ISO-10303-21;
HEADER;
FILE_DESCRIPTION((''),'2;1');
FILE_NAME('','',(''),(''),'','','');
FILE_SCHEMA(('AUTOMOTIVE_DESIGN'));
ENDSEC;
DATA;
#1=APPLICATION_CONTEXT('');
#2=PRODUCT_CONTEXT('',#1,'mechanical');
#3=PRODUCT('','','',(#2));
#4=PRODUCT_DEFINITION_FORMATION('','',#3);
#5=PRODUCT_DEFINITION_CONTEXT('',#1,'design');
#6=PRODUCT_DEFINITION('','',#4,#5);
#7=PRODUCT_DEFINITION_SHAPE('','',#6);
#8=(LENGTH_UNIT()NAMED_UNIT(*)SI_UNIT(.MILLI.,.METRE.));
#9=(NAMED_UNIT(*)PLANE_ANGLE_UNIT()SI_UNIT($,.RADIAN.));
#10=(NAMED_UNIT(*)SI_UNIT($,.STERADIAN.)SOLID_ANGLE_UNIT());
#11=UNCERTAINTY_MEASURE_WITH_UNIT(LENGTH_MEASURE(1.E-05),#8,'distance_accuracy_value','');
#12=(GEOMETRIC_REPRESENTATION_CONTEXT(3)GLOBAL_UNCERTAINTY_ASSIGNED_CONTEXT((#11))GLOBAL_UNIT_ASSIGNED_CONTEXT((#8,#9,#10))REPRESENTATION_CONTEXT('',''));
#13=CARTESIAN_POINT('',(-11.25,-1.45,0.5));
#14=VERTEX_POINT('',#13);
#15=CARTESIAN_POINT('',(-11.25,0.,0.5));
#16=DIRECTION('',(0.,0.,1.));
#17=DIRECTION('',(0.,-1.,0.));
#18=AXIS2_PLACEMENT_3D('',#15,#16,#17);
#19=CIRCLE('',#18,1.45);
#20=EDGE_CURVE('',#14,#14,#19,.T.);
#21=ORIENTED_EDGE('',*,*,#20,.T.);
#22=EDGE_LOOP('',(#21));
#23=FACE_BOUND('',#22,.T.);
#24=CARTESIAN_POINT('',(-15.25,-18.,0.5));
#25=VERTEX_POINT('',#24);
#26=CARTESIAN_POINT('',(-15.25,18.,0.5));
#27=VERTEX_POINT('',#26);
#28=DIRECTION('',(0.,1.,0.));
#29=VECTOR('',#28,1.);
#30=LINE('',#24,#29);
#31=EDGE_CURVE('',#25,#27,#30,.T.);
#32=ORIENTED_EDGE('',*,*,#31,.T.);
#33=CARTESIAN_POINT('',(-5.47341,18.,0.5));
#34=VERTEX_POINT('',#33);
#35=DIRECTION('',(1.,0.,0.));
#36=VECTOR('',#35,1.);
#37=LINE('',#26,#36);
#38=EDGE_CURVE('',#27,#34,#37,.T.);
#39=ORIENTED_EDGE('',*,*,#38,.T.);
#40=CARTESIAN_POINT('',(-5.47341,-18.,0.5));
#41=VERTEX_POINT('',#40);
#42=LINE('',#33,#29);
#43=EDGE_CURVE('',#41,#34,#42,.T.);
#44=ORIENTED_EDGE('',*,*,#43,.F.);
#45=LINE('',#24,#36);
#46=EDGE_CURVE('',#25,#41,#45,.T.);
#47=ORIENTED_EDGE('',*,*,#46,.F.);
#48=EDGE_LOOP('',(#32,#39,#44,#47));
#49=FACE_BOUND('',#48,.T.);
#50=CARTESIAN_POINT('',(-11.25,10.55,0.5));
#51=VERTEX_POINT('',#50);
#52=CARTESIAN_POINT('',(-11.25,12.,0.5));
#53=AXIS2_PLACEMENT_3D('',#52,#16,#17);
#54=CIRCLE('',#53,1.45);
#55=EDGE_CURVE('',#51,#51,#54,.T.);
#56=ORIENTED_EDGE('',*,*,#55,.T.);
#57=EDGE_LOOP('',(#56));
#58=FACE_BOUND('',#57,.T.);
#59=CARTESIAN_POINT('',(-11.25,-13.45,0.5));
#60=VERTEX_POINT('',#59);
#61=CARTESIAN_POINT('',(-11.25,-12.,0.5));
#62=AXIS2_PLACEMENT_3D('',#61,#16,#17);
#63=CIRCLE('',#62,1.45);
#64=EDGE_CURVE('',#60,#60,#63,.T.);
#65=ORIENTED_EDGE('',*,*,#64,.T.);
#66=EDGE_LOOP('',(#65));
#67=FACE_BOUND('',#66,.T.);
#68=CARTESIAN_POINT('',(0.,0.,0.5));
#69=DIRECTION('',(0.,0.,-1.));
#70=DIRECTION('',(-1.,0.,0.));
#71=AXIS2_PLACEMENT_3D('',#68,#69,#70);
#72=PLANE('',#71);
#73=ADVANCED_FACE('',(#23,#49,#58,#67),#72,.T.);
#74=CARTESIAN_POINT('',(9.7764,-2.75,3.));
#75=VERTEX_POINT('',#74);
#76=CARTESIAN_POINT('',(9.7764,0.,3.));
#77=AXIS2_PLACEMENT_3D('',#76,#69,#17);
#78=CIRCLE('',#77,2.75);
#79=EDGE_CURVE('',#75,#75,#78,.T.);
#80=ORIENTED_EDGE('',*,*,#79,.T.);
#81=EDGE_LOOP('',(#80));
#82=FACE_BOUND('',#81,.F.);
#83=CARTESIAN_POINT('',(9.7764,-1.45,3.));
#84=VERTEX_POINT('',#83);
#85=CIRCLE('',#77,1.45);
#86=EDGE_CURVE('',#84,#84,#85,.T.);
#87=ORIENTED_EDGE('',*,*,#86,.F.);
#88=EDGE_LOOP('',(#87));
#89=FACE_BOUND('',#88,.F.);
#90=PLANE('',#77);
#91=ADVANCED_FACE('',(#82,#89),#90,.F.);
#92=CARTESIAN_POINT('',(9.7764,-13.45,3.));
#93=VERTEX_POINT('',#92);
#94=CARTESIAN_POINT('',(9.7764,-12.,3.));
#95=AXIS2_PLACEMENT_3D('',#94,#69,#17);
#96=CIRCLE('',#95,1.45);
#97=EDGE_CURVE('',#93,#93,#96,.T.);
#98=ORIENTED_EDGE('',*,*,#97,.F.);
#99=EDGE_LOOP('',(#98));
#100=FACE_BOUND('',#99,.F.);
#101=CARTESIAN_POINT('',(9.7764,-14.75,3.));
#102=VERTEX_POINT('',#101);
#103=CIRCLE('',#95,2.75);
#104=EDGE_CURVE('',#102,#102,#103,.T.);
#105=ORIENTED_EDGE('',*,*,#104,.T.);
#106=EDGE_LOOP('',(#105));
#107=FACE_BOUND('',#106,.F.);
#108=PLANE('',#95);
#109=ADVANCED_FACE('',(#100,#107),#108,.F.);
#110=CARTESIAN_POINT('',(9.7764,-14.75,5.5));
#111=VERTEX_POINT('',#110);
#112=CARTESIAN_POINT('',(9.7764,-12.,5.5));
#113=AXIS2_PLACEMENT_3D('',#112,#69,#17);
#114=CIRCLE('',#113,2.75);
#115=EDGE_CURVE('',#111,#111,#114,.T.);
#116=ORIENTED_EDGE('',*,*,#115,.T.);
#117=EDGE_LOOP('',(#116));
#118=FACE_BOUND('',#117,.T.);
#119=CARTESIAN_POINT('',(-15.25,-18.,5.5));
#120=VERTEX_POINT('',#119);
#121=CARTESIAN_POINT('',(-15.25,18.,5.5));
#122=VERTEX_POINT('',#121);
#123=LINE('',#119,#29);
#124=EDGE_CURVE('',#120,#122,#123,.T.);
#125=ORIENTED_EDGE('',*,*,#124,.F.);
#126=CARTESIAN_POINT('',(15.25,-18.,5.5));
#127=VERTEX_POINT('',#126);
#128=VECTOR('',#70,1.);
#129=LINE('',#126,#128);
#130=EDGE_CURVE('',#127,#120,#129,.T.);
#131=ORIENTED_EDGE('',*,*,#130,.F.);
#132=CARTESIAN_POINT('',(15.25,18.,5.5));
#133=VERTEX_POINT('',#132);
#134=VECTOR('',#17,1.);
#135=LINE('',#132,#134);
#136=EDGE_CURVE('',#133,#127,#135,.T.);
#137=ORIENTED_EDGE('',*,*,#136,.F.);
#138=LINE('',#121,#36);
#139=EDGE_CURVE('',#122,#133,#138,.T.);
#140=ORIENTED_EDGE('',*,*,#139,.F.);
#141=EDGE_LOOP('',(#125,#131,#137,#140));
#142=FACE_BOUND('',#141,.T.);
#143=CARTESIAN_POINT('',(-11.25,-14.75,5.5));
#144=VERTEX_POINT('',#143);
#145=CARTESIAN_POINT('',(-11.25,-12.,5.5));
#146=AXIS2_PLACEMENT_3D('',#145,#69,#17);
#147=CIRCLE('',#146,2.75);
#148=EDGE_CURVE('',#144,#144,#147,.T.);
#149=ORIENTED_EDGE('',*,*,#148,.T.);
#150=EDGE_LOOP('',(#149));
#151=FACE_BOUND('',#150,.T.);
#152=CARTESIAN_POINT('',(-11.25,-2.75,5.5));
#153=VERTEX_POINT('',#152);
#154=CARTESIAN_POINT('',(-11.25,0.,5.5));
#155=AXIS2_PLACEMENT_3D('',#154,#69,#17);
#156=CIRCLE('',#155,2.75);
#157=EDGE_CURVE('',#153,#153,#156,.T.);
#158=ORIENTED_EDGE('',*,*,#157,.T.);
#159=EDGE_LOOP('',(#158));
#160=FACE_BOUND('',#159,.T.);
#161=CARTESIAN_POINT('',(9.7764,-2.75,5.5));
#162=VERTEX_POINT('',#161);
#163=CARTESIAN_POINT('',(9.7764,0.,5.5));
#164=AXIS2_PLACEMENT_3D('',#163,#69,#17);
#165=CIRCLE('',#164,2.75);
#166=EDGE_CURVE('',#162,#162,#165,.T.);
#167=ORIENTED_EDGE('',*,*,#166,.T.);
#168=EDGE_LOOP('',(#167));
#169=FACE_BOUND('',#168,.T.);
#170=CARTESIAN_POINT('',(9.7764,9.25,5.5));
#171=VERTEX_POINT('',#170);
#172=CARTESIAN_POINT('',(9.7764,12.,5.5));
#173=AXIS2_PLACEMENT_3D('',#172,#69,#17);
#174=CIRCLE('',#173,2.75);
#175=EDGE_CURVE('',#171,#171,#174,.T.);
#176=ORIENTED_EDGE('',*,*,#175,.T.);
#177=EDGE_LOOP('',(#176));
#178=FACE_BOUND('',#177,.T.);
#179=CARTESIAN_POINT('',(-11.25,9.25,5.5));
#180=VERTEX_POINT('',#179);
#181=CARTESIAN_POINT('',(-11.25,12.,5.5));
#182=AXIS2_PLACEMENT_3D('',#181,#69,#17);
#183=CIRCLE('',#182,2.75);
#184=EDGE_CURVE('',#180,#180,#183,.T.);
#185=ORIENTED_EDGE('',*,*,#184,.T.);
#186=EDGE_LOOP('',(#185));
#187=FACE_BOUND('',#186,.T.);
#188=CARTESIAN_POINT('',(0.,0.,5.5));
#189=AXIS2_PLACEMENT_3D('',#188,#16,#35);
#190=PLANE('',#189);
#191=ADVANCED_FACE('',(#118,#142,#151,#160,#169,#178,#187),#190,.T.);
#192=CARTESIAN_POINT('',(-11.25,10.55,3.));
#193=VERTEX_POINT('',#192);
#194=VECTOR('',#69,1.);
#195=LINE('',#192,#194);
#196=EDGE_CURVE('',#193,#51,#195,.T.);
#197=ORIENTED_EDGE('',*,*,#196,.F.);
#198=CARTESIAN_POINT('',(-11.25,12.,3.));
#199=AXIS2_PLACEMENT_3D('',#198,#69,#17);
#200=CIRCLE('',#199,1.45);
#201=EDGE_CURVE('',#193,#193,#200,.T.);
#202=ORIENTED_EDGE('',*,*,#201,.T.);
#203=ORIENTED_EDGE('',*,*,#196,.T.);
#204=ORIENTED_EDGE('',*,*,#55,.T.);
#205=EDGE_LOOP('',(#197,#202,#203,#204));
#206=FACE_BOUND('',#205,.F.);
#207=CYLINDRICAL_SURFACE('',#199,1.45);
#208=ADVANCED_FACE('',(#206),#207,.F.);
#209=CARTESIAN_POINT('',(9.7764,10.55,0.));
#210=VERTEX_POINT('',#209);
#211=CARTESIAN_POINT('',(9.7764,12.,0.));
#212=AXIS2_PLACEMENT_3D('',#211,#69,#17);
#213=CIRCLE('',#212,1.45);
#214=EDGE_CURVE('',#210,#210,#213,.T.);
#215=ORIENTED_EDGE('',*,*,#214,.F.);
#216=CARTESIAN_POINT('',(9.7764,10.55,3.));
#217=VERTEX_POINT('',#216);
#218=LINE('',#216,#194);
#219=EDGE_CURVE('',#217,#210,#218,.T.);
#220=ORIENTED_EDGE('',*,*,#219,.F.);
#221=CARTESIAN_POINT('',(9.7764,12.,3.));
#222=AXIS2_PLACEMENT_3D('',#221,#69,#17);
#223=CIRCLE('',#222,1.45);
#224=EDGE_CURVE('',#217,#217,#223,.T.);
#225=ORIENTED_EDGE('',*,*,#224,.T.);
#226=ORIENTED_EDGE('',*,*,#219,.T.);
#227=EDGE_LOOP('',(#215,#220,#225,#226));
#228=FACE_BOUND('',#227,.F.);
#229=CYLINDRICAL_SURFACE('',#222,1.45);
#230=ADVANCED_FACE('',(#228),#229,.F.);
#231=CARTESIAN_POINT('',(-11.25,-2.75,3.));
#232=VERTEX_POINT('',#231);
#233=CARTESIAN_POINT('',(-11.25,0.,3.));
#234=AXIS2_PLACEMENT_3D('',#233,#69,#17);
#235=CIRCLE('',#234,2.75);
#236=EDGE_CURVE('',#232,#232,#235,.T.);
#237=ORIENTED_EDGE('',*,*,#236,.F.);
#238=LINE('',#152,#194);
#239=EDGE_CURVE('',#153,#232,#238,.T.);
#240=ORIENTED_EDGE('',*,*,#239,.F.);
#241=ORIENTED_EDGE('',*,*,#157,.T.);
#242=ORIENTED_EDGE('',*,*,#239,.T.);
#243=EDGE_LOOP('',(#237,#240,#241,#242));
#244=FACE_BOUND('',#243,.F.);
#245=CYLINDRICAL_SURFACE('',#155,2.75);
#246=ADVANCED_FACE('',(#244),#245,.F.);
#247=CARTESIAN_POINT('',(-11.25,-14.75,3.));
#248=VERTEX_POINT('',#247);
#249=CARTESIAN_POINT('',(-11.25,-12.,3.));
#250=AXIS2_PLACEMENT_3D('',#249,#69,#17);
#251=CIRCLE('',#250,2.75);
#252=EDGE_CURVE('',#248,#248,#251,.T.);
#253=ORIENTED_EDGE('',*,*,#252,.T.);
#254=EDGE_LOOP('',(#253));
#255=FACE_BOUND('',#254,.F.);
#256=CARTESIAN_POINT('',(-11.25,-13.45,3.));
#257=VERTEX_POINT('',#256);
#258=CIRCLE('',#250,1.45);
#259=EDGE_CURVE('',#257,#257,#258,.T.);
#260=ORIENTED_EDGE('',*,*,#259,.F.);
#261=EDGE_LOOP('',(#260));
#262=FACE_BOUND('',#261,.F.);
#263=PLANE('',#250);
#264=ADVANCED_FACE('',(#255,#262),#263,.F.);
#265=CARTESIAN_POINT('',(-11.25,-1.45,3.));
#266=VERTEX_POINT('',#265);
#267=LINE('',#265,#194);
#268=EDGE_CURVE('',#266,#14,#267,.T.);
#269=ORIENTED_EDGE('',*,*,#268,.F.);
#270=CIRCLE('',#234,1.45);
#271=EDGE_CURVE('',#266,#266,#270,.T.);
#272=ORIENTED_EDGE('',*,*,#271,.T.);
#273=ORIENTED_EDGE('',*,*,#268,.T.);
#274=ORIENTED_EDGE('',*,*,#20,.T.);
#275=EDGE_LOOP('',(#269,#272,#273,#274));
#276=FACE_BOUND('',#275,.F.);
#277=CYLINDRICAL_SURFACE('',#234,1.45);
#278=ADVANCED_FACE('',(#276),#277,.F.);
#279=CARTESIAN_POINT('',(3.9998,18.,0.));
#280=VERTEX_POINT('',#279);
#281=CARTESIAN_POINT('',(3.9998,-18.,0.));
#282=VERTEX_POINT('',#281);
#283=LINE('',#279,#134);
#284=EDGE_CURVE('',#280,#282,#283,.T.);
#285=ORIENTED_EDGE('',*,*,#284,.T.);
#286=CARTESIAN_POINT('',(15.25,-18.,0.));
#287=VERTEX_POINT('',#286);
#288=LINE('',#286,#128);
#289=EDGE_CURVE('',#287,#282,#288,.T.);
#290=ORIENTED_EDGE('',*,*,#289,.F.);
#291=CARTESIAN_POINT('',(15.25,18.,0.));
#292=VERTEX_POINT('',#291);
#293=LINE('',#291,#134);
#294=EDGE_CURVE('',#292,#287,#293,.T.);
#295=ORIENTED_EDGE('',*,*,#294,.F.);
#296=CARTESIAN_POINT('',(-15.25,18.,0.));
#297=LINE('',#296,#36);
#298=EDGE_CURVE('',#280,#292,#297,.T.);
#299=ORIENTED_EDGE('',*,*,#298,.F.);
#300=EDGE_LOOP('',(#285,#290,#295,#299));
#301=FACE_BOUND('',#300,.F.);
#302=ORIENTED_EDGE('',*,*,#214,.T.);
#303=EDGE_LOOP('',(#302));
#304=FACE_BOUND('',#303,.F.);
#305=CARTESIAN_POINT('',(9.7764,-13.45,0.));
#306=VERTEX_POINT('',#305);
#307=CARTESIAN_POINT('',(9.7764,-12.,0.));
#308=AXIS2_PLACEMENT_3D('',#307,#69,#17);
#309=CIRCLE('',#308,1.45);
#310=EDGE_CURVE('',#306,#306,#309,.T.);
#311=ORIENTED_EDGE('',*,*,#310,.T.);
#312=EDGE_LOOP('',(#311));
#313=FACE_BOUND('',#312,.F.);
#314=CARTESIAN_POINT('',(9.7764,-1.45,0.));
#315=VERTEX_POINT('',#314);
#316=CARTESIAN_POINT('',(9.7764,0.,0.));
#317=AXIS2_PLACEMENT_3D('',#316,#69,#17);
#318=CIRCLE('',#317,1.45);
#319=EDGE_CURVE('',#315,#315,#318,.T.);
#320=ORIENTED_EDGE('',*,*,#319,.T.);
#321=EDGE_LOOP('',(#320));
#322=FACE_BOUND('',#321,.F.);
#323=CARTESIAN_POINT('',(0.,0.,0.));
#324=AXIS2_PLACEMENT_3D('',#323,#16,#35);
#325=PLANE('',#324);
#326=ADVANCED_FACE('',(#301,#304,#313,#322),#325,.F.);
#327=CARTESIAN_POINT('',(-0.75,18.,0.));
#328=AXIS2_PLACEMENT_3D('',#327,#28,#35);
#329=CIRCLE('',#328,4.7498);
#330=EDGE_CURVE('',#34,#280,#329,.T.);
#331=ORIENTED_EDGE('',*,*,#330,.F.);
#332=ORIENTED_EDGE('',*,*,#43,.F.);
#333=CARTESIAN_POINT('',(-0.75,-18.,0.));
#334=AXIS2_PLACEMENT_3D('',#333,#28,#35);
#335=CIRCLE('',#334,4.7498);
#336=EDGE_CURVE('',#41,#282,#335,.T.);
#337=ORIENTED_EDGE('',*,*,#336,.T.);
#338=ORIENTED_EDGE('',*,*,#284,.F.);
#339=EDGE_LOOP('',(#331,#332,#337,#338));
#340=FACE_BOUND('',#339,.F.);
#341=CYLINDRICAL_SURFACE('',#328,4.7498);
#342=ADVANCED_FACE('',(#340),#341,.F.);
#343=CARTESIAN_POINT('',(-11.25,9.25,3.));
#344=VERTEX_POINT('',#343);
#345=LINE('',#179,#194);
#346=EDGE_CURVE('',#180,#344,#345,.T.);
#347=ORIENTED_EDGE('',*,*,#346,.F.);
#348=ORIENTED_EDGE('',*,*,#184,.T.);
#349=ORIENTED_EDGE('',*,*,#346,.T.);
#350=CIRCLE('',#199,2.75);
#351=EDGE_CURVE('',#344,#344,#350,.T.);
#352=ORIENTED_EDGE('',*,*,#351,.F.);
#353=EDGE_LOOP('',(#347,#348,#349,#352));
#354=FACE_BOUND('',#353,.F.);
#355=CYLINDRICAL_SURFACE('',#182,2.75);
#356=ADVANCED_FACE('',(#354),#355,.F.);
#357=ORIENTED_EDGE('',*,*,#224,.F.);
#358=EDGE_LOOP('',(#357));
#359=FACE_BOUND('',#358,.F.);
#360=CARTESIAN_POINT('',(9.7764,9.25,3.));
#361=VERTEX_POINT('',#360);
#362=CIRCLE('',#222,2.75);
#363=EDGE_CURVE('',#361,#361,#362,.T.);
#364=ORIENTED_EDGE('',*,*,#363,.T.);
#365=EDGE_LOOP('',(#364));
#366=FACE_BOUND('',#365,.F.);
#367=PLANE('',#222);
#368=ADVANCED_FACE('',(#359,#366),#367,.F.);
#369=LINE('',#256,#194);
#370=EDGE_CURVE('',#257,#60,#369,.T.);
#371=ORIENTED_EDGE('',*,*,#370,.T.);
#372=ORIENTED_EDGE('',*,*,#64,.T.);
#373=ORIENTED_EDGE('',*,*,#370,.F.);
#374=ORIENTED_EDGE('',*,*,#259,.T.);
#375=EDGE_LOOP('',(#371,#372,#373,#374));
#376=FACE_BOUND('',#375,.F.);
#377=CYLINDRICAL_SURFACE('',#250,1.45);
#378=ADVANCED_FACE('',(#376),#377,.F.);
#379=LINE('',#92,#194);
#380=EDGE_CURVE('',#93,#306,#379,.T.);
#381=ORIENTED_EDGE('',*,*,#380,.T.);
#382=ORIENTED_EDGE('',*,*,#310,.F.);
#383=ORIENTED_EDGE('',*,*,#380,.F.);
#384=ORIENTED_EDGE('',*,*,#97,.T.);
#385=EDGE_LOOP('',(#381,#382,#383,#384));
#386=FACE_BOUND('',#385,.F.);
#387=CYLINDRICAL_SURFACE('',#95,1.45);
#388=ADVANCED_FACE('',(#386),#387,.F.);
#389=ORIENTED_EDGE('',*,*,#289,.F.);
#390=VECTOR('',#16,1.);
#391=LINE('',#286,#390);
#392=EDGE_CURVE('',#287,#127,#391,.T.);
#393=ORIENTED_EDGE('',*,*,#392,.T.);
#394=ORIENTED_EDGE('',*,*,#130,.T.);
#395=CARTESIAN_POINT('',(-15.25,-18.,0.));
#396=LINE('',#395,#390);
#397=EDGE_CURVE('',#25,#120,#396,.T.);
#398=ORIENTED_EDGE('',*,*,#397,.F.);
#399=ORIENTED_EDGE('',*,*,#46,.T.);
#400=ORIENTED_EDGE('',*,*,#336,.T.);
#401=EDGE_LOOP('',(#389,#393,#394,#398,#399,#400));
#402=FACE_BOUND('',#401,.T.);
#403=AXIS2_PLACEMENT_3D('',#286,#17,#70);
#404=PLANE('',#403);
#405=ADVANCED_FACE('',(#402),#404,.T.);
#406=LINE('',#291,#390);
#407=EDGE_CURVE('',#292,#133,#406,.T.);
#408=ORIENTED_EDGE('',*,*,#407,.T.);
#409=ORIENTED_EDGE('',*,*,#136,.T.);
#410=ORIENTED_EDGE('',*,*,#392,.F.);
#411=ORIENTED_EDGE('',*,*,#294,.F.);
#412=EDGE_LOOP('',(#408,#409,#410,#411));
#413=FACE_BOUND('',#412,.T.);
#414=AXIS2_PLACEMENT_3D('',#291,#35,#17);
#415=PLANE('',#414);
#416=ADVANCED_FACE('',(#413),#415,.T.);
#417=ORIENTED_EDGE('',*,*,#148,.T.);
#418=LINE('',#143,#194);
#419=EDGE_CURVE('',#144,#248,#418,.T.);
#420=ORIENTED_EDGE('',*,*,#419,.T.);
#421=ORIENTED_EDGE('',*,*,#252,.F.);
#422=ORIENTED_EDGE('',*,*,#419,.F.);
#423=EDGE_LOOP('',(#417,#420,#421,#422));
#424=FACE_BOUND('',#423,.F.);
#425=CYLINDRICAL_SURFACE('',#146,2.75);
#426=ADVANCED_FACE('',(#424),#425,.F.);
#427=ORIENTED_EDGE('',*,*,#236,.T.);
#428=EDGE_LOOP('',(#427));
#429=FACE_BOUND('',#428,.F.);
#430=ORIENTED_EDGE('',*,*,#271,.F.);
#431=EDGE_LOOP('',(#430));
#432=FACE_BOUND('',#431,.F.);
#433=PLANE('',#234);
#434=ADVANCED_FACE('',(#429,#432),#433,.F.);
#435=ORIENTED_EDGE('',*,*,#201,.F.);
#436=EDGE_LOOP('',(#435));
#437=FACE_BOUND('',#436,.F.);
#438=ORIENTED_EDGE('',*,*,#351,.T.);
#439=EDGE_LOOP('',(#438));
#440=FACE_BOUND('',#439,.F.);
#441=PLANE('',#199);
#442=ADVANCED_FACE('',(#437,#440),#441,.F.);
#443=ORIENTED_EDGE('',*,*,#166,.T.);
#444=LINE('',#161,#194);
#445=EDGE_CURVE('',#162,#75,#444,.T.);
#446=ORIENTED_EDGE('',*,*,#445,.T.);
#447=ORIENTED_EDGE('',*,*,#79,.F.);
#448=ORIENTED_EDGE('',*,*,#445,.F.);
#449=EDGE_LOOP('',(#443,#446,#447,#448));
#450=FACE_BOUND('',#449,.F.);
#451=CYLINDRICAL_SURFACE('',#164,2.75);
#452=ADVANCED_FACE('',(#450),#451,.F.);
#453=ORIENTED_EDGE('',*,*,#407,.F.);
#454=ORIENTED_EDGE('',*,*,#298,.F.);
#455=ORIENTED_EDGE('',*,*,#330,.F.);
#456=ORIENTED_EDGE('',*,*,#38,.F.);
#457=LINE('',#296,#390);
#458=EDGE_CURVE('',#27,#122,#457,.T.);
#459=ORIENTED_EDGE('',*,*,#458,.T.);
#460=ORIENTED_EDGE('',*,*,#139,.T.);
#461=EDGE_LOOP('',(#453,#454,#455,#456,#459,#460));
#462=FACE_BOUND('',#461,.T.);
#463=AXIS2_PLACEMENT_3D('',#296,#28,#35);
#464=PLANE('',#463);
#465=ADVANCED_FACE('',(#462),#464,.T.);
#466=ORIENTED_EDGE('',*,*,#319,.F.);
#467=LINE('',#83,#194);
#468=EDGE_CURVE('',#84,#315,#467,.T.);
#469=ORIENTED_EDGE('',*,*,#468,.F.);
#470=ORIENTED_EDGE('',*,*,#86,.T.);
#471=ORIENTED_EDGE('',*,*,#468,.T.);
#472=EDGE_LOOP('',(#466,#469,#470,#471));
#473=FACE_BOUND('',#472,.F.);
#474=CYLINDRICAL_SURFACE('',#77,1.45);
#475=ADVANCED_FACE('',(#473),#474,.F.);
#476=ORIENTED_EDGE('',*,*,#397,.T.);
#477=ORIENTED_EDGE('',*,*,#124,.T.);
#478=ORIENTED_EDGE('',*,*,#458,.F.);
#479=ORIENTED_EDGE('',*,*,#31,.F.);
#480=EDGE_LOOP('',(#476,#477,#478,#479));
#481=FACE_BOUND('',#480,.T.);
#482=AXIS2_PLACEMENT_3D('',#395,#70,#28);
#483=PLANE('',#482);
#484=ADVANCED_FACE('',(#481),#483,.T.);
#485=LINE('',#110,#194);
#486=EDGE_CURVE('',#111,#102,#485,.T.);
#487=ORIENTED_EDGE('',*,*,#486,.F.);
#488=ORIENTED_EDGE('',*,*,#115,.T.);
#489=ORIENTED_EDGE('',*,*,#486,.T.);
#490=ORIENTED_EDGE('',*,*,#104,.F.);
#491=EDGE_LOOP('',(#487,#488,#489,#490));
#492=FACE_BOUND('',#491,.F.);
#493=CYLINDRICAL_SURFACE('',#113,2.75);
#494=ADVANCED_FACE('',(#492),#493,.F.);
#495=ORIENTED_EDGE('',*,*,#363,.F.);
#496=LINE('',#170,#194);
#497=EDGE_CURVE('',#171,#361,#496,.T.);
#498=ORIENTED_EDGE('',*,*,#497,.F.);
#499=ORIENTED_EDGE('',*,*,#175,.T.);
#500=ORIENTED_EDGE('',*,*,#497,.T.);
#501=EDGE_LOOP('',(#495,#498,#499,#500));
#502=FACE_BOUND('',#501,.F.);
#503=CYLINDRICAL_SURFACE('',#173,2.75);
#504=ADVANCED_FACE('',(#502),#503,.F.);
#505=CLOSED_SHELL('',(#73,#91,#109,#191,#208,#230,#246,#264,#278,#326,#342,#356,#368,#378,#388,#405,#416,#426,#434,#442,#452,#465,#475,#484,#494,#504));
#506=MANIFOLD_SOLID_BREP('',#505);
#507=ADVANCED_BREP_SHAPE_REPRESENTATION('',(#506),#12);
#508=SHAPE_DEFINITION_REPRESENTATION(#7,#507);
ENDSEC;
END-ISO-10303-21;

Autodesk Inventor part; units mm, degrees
ref_plane "YZ Plane" through (0, 0, 0) normal (1, 0, 0) x (0, 1, 0)
ref_plane "XZ Plane" through (0, 0, 0) normal (0, 1, 0) x (-1, 0, 0)
ref_plane "XY Plane" through (0, 0, 0) normal (0, 0, 1) x (1, 0, 0)
sketch "Sketch1" plane through (0, 0, 0) normal (0, 0, 1) x (1, 0, 0)
  line L0 (-15.25, 18) -> (15.25, 18)
  line L1 (15.25, 18) -> (15.25, -18)
  line L2 (15.25, -18) -> (-15.25, -18)
  line L3 (-15.25, -18) -> (-15.25, 18)
  point P0 (0, 0)
  dimension "d0" = 30.5
  dimension "d1" = 36
  dimension "d2" = 18
  dimension "d3" = 15.25
extrude "Extrusion1" add sketch "Sketch1" along normal blind 5.5
sketch "Sketch2" plane through (-15.25, 18, 0) normal (0, 1, 0) x (1, 0, 0)
  line L0 (30.5, 0) -> (30.5, -8.35) projected
  line L1 (30.5, -8.35) -> (70.5, -8.35) projected
  line L2 (70.5, 11.65) -> (70.5, -8.35) projected
  line L3 (0, 11.65) -> (70.5, 11.65) projected
  line L4 (0, 11.65) -> (0, 0.5) projected
  line L5 (0, 0.5) -> (9.7766, 0.5) projected
  arc A0 (19.2498, 0) -> (9.7766, 0.5) centre (14.5, 0) ccw projected
  line L6 (19.2498, 0) -> (30.5, 0) projected
  circle A1 centre (40.5, 1.65) radius 0.847 projected
  circle A2 centre (62.5, 1.65) radius 0.847 projected
  circle A3 centre (54.5, 1.65) radius 4 projected
  circle A4 centre (14.5, 0) radius 4.7498
  point P0 (15.25, 0)
extrude "Extrusion2" cut sketch "Sketch2" against normal through all contours A4 A0
sketch "Sketch3" plane through (0, 0, 5.5) normal (0, 0, 1) x (1, 0, 0)
  circle A0 centre (-11.25, 12) radius 1.0065 projected
  circle A1 centre (-11.25, 0) radius 1.0065 projected
  circle A2 centre (-11.25, -12) radius 1.0065 projected
  circle A3 centre (9.7764, 12) radius 1.0065 projected
  circle A4 centre (9.7764, 0) radius 1.0065 projected
  circle A5 centre (9.7764, -12) radius 1.0065 projected
  point P0 (0, 0)
hole "CBore for M2.5 screw" at (-11.25, -12, 5.5) at (-11.25, 0, 5.5) at (-11.25, 12, 5.5) at (9.7764, -12, 5.5) at (9.7764, 0, 5.5) at (9.7764, 12, 5.5) direction (0, 0, -1) diameter 2.9 end through all counterbore diameter 5.5 counterbore depth 2.5 clearance for "Socket Head Cap Screw" size "M2.5" standard "Ansi Metric M Profile"
sketch "Sketch4" plane through (0, 0, 0) normal (0, 0, -1) x (-1, 0, 0)
  circle A0 centre (11.25, 0) radius 1.45 projected
  circle A1 centre (11.25, -12) radius 1.45 projected
  circle A2 centre (11.25, 12) radius 1.45 projected
  line L0 (5.4998, 18) -> (5.4998, -18) projected
  line L1 (5.4998, -18) -> (15.25, -18) projected
  line L2 (15.25, -18) -> (15.25, 18) projected
  line L3 (15.25, 18) -> (5.4998, 18) projected
  line L4 (15.25, -18) -> (4.4998, -18)
  line L5 (4.4998, -18) -> (4.4998, 18)
  line L6 (4.4998, 18) -> (15.25, 18)
  line L7 (15.25, 18) -> (15.25, -18)
  point P0 (0, 0)
  dimension "d17" = 1
extrude "Extrusion3" cut sketch "Sketch4" against normal blind 0.5
equation "\"d2\" = 0.5 * d1"
equation "\"d3\" = 0.5 * d0"
properties part number "J007580" material "ALUMINUM, 6061-T651"
